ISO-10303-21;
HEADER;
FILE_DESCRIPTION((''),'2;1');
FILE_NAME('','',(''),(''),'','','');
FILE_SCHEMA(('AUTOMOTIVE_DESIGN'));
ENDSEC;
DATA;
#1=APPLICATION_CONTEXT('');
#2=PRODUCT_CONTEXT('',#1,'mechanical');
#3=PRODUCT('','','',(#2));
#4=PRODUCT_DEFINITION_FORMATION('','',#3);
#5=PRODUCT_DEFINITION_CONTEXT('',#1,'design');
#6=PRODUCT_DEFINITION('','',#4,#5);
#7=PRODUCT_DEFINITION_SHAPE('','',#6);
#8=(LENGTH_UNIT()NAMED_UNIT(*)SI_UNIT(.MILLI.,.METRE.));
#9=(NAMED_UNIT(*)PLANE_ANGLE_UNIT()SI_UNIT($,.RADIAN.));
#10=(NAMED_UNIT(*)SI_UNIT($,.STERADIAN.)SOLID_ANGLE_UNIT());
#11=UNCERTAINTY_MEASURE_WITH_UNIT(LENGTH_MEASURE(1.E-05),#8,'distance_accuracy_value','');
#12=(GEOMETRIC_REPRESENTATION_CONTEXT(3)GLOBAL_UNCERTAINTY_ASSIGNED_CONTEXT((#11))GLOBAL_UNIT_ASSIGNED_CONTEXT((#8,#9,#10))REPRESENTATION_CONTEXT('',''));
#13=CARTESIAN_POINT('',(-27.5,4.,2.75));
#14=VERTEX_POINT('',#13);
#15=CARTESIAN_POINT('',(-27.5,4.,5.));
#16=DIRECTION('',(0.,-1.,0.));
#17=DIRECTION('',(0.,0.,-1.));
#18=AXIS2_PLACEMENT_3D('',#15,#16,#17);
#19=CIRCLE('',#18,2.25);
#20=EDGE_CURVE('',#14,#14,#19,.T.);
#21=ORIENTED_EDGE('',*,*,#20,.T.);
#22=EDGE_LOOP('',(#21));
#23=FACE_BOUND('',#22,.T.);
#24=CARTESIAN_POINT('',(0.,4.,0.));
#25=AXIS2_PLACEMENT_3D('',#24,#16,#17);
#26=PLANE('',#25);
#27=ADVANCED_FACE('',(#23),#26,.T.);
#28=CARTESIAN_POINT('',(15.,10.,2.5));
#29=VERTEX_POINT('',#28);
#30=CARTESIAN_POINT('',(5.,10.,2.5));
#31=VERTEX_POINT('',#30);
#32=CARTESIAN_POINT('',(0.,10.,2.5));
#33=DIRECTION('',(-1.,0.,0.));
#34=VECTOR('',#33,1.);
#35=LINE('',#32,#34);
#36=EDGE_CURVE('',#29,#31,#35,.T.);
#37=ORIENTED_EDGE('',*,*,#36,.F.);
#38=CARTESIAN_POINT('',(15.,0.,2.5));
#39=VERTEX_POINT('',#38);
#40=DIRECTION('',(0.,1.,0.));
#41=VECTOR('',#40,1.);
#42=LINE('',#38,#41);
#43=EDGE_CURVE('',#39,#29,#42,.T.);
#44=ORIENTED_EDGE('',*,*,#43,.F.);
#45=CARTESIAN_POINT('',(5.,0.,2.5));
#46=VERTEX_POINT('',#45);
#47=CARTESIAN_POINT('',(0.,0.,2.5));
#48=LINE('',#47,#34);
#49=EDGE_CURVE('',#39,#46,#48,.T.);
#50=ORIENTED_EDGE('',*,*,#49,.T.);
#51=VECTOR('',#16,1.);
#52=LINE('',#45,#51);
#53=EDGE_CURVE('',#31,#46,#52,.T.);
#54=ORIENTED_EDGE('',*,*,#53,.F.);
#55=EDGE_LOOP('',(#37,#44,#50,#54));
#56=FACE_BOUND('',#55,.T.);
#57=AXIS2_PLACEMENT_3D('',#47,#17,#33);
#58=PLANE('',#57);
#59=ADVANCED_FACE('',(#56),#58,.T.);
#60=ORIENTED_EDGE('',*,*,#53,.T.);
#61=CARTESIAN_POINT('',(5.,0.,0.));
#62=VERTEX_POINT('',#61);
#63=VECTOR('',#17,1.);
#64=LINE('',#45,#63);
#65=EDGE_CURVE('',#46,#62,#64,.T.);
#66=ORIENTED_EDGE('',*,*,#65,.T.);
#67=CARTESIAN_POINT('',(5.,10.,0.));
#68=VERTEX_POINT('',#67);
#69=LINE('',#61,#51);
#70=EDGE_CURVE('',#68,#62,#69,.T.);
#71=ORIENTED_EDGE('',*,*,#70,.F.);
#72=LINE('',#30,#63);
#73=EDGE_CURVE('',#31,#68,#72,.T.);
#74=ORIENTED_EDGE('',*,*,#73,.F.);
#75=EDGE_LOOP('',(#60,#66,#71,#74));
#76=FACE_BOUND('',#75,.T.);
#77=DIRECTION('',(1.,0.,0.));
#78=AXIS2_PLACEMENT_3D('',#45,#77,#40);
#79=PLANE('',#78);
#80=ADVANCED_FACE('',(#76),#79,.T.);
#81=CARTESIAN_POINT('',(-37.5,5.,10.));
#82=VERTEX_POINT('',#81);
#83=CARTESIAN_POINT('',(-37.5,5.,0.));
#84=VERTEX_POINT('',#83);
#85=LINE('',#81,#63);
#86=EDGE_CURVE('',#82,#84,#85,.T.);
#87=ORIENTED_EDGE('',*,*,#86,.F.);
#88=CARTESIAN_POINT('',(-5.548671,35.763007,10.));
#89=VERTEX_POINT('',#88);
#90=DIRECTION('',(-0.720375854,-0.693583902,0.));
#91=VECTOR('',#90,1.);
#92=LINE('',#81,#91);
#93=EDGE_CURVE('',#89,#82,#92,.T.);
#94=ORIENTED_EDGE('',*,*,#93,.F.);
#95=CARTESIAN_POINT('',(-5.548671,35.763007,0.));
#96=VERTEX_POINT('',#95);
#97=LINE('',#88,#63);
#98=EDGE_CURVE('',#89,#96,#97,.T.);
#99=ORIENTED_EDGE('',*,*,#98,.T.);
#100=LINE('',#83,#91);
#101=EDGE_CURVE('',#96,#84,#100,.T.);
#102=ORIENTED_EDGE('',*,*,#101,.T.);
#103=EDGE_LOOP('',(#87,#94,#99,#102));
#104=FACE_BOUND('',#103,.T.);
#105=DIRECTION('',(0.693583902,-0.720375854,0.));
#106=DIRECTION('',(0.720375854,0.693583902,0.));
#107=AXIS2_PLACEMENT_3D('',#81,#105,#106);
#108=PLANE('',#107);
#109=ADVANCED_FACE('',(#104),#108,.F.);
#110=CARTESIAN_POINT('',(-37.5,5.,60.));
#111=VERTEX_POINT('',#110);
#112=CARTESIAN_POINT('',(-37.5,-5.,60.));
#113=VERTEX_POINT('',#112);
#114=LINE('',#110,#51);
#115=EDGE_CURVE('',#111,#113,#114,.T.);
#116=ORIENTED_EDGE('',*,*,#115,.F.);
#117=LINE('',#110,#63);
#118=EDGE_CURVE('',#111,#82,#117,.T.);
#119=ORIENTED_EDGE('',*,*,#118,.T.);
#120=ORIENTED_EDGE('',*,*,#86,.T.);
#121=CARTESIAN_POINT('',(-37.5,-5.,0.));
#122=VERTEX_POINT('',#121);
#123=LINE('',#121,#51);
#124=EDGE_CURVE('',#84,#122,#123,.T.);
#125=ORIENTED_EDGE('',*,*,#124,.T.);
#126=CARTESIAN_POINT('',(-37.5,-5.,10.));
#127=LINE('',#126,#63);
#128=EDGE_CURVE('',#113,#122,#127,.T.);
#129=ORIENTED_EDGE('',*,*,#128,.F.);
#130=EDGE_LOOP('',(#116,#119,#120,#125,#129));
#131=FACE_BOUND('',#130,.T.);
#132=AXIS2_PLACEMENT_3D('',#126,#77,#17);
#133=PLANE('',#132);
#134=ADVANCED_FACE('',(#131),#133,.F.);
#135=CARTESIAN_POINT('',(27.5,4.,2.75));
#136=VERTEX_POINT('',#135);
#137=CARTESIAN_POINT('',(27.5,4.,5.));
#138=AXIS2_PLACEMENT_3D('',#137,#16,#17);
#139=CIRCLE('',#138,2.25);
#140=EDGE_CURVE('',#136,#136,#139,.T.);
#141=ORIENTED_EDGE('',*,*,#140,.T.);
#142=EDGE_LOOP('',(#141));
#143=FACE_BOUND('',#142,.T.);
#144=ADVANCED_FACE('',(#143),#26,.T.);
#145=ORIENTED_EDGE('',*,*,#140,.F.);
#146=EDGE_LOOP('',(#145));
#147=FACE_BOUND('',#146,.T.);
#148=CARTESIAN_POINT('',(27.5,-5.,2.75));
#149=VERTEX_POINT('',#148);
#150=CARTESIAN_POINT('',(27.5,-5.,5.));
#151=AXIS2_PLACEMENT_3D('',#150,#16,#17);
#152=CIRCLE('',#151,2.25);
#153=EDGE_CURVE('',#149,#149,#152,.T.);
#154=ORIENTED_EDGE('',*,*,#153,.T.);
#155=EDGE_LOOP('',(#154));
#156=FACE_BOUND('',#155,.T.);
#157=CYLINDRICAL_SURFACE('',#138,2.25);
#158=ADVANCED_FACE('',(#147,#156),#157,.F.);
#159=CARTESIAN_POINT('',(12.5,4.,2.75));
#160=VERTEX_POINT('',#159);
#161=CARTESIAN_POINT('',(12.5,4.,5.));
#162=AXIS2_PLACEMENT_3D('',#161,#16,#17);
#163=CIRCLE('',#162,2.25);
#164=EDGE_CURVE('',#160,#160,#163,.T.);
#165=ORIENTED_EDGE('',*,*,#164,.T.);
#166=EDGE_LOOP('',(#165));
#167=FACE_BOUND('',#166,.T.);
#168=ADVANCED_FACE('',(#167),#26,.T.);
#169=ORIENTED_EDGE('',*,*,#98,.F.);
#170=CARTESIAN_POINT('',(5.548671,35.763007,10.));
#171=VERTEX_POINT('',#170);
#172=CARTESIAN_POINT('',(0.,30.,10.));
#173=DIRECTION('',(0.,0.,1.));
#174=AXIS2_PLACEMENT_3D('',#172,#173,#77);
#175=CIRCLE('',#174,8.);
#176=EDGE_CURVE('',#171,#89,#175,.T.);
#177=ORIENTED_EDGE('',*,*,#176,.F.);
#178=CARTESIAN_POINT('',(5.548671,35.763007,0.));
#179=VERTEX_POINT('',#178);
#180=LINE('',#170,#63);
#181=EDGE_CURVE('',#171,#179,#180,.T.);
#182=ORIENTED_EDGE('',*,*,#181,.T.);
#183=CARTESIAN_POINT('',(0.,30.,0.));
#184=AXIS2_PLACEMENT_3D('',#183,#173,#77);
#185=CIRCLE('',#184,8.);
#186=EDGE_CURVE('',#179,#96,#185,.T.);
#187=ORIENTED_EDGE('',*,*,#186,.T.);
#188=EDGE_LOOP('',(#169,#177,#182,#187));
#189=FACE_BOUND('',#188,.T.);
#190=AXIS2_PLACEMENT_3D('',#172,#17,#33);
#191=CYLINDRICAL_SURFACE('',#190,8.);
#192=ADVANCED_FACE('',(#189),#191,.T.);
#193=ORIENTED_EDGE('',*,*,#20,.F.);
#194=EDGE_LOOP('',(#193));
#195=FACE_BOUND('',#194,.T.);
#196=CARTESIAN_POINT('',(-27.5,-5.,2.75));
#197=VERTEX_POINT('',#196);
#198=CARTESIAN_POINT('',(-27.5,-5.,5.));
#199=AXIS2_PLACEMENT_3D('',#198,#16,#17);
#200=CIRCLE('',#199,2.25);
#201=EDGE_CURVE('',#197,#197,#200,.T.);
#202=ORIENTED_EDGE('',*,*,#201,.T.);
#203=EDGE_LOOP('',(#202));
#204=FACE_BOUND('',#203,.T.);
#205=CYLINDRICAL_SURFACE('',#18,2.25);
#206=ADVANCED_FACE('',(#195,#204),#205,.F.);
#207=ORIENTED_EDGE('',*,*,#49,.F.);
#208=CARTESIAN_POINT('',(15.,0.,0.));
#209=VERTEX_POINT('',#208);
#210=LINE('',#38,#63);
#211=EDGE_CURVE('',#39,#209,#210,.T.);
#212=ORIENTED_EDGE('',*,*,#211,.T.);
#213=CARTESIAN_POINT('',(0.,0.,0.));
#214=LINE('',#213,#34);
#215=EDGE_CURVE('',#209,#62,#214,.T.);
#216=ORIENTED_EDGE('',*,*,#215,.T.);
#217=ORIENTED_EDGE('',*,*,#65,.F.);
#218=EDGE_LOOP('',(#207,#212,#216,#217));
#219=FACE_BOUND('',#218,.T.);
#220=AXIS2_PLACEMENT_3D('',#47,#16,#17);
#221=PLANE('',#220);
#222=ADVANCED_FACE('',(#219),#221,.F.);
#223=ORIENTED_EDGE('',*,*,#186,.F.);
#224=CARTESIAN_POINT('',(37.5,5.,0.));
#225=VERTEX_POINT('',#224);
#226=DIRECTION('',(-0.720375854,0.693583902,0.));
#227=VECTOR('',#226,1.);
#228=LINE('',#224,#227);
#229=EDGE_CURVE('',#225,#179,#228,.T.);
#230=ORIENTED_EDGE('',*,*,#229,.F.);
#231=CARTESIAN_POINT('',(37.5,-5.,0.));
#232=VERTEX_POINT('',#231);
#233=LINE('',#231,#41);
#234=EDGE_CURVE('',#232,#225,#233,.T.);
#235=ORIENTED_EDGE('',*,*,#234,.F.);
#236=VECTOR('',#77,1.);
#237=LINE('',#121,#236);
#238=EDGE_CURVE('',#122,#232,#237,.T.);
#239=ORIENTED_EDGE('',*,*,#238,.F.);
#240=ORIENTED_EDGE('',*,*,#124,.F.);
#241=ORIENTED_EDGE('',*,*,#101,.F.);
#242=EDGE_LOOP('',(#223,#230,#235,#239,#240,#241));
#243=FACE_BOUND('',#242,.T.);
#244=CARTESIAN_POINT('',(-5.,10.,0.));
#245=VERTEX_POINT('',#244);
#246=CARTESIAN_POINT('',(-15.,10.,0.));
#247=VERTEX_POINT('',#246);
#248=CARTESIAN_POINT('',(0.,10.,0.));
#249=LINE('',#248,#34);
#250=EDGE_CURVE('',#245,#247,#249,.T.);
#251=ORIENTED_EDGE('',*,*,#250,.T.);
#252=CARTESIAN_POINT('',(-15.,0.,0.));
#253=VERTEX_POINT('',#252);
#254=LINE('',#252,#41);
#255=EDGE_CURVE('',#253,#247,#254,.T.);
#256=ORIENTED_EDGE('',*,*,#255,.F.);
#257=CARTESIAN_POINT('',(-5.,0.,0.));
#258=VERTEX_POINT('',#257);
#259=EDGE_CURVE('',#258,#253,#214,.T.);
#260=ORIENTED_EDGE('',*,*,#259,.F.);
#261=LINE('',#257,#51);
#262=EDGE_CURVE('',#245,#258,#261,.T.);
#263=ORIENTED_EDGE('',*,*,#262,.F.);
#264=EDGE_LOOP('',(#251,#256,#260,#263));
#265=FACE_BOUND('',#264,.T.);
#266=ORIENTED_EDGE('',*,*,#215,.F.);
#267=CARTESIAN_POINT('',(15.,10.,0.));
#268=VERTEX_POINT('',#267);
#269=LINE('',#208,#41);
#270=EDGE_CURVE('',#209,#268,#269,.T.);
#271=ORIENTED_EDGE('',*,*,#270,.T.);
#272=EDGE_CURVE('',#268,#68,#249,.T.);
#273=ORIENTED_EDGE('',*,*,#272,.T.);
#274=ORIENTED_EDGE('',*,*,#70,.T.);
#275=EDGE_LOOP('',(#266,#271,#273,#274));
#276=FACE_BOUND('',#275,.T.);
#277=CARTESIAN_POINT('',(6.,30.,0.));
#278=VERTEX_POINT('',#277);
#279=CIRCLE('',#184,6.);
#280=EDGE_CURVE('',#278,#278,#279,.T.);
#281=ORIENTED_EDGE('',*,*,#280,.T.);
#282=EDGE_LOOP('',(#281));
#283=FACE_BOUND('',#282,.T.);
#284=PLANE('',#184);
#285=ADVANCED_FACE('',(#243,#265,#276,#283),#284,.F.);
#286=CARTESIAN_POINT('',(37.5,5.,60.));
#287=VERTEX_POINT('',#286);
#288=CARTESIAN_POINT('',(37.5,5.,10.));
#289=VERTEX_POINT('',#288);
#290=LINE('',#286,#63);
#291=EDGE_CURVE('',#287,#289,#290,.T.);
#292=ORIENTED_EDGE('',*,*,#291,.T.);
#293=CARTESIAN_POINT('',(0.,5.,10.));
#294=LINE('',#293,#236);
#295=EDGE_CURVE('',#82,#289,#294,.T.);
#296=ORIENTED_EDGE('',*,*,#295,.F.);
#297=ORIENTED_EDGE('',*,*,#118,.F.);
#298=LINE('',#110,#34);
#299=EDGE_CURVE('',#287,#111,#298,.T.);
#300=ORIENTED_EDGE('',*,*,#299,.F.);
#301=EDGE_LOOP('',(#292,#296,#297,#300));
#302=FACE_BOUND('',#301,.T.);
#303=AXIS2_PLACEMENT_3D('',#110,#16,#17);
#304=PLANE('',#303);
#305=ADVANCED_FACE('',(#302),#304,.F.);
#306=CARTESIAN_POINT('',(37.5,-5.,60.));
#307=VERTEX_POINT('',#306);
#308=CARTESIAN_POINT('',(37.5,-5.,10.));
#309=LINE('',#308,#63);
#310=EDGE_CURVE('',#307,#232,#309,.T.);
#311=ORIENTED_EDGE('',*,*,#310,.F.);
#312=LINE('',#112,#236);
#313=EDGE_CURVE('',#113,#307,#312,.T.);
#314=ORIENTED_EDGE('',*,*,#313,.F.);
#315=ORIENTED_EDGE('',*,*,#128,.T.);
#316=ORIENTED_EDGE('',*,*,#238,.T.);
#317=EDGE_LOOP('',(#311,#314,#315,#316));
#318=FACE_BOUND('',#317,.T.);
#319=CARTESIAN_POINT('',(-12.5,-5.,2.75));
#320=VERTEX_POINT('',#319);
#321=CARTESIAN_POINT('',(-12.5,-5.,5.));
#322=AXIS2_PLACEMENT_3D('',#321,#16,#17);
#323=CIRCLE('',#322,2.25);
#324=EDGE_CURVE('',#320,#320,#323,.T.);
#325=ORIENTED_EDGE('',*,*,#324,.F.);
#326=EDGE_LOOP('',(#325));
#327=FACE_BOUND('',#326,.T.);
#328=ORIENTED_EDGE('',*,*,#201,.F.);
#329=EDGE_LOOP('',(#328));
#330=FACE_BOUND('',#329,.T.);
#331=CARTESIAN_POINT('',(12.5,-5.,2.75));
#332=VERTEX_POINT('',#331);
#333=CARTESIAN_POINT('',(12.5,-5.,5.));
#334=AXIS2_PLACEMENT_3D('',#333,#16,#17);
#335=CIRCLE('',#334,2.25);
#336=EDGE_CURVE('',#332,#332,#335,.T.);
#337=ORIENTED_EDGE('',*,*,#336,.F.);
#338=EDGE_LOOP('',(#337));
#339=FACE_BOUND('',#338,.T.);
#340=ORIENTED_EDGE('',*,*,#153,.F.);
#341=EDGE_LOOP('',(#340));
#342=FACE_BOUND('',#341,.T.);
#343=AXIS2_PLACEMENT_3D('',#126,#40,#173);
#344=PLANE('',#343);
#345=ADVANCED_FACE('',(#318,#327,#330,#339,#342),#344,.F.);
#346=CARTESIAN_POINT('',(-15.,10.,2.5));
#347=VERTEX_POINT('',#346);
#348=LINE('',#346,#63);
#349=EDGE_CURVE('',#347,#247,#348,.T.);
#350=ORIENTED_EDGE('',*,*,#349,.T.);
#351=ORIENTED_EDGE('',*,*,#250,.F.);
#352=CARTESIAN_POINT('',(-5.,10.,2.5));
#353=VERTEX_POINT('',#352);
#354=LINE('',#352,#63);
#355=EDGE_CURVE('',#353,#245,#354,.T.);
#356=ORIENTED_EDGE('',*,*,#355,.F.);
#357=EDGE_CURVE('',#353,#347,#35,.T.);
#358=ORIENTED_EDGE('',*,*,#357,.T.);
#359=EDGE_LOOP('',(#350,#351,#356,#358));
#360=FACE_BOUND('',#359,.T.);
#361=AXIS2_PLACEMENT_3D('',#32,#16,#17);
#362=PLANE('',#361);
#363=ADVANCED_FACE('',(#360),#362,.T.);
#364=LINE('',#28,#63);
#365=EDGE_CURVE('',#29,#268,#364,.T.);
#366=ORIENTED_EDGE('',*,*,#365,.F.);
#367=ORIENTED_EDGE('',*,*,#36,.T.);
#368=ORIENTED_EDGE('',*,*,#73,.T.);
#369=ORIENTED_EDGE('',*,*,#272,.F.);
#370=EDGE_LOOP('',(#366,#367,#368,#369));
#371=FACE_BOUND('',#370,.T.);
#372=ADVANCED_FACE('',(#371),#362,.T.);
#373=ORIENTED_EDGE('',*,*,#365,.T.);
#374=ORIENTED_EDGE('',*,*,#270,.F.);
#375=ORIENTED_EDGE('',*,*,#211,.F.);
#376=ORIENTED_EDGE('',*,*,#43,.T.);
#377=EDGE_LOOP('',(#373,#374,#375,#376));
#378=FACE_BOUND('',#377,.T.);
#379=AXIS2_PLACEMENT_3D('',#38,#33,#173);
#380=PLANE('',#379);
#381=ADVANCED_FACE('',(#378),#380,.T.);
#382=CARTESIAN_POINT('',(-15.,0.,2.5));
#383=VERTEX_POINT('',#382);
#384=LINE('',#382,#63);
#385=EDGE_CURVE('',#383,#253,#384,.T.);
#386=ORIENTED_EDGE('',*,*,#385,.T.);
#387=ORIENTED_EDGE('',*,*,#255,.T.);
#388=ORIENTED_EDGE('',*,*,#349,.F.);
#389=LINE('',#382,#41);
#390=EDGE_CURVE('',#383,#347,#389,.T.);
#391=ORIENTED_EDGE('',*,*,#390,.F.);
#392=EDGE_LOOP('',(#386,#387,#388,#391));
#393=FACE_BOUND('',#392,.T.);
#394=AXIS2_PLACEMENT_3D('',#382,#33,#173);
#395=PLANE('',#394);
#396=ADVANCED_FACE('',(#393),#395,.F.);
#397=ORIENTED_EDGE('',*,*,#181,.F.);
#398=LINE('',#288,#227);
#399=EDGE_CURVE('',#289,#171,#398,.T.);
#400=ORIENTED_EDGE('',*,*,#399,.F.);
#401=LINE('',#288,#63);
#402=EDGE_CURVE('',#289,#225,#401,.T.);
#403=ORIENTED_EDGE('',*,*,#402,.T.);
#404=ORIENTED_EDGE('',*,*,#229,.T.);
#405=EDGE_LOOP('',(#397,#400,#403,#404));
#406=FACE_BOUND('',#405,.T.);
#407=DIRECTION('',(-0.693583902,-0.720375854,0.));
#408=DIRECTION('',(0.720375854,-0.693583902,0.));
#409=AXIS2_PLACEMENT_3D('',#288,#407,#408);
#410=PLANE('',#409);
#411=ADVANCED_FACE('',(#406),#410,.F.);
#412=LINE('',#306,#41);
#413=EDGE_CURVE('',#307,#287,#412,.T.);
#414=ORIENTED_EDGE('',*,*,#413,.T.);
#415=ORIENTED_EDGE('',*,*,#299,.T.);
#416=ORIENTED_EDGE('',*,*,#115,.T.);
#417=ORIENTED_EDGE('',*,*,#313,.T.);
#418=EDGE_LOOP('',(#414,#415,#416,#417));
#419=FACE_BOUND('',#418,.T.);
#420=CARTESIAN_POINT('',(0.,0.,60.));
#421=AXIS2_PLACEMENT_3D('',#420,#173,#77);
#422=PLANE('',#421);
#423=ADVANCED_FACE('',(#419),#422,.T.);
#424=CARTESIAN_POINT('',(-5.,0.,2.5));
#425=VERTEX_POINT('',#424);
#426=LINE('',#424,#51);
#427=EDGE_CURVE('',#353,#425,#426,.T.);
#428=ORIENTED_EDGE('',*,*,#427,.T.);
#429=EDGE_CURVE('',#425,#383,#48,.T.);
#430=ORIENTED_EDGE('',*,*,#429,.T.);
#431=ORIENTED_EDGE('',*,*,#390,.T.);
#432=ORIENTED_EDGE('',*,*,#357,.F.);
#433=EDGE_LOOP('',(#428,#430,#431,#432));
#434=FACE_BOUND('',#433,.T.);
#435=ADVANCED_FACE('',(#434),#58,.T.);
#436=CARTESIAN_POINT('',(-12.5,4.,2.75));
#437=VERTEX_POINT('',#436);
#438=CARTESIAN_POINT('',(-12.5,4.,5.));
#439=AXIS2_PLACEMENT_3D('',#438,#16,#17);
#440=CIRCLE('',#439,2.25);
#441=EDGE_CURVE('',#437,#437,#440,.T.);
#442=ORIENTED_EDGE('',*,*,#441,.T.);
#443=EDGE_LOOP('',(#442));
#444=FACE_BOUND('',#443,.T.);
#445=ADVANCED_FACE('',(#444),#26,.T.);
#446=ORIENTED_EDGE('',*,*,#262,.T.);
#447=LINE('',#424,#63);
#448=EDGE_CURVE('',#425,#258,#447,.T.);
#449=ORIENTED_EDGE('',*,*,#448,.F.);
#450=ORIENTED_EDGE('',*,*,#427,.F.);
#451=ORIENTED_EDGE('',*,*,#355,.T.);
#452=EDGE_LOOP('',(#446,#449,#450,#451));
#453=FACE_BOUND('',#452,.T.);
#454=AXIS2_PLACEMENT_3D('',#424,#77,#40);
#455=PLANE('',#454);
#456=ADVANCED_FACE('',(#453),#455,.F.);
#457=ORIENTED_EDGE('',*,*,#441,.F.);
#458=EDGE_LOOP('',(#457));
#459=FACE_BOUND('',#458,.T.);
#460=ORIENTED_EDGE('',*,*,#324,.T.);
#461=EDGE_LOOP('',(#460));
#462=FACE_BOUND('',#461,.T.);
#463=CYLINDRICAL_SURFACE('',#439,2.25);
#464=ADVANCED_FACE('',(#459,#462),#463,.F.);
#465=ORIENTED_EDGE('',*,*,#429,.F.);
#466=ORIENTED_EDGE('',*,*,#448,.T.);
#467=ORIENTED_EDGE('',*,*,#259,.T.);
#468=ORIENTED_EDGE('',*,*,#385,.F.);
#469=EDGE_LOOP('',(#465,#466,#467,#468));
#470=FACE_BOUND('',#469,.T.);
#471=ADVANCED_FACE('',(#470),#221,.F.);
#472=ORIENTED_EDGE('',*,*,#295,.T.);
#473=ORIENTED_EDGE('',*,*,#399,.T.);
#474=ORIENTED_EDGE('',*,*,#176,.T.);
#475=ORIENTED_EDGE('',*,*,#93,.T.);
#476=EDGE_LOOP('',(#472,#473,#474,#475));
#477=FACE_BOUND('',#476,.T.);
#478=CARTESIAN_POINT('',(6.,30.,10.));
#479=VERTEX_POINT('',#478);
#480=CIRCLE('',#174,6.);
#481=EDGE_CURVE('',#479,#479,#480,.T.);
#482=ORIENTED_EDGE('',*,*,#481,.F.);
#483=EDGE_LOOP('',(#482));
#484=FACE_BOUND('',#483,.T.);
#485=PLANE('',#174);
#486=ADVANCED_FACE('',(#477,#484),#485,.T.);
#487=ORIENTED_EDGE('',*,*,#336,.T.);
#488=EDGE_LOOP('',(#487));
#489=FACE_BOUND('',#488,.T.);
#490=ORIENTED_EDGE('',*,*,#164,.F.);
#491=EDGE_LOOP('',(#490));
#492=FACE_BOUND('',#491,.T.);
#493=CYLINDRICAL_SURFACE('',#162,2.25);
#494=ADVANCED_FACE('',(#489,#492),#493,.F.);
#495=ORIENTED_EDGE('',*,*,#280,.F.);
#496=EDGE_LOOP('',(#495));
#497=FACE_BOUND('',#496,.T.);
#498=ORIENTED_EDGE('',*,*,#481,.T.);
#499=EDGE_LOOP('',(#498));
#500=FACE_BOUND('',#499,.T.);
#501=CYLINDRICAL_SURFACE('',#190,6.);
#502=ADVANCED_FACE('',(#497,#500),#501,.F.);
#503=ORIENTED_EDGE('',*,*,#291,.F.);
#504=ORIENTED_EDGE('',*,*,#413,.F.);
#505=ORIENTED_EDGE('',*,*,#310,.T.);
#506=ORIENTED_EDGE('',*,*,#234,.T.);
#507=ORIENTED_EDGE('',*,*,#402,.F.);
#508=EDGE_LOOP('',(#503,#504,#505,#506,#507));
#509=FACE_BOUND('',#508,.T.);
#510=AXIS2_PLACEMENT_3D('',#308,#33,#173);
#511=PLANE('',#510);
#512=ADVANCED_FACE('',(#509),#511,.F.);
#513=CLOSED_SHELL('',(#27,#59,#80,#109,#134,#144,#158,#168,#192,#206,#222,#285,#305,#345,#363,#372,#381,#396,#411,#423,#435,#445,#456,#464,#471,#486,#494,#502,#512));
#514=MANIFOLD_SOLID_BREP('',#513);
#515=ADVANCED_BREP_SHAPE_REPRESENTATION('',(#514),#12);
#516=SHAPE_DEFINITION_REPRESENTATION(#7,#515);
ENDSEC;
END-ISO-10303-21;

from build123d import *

# Parameters (mm, degrees)
SKETCH2_R           = 6
BOSS_EXTRUDE1_DEPTH = 10
SKETCH3_W           = 75
SKETCH3_H           = 10
BOSS_EXTRUDE2_DEPTH = 60
SKETCH4_R           = 2.25
CUT_EXTRUDE1_DEPTH  = 9
SKETCH5_W           = 10
SKETCH5_H           = 10
CUT_EXTRUDE2_DEPTH  = 2.5


with BuildPart() as part:
    # Sketch2 → Boss-Extrude1 (new body)
    with BuildSketch(Plane.XY):
        with BuildLine():
            Line((-37.5, -5), (37.5, -5))
            Line((37.5, -5), (37.5, 5))
            Line((37.5, 5), (5.548671219, 35.763006828))
            ThreePointArc((5.548671219, 35.763006828), (0, 38), (-5.548671219, 35.763006828))
            Line((-5.548671219, 35.763006828), (-37.5, 5))
            Line((-37.5, 5), (-37.5, -5))
        make_face()
        with Locations((0, 30)):
            Circle(SKETCH2_R, mode=Mode.SUBTRACT)
    extrude(amount=BOSS_EXTRUDE1_DEPTH)

    # Sketch3 → Boss-Extrude2 (add)
    with BuildSketch(Plane.XY):
        Rectangle(SKETCH3_W, SKETCH3_H)
    extrude(amount=BOSS_EXTRUDE2_DEPTH)

    # Sketch4 → Cut-Extrude1 (cut)
    with BuildSketch(Plane.XZ.offset(5)):
        with Locations((27.5, 5)):
            Circle(SKETCH4_R)
        with Locations((12.5, 5)):
            Circle(SKETCH4_R)
        with Locations((-12.5, 5)):
            Circle(SKETCH4_R)
        with Locations((-27.5, 5)):
            Circle(SKETCH4_R)
    extrude(amount=-CUT_EXTRUDE1_DEPTH, mode=Mode.SUBTRACT)

    # Sketch5 → Cut-Extrude2 (cut)
    with BuildSketch(Plane(origin=(0, 0, 0), x_dir=(-1, 0, 0), z_dir=(0, 0, -1))):
        with Locations((-10, 5)):
            Rectangle(SKETCH5_W, SKETCH5_H)
        with Locations((10, 5)):
            Rectangle(SKETCH5_W, SKETCH5_H)
    extrude(amount=-CUT_EXTRUDE2_DEPTH, mode=Mode.SUBTRACT)


solid = part.part
